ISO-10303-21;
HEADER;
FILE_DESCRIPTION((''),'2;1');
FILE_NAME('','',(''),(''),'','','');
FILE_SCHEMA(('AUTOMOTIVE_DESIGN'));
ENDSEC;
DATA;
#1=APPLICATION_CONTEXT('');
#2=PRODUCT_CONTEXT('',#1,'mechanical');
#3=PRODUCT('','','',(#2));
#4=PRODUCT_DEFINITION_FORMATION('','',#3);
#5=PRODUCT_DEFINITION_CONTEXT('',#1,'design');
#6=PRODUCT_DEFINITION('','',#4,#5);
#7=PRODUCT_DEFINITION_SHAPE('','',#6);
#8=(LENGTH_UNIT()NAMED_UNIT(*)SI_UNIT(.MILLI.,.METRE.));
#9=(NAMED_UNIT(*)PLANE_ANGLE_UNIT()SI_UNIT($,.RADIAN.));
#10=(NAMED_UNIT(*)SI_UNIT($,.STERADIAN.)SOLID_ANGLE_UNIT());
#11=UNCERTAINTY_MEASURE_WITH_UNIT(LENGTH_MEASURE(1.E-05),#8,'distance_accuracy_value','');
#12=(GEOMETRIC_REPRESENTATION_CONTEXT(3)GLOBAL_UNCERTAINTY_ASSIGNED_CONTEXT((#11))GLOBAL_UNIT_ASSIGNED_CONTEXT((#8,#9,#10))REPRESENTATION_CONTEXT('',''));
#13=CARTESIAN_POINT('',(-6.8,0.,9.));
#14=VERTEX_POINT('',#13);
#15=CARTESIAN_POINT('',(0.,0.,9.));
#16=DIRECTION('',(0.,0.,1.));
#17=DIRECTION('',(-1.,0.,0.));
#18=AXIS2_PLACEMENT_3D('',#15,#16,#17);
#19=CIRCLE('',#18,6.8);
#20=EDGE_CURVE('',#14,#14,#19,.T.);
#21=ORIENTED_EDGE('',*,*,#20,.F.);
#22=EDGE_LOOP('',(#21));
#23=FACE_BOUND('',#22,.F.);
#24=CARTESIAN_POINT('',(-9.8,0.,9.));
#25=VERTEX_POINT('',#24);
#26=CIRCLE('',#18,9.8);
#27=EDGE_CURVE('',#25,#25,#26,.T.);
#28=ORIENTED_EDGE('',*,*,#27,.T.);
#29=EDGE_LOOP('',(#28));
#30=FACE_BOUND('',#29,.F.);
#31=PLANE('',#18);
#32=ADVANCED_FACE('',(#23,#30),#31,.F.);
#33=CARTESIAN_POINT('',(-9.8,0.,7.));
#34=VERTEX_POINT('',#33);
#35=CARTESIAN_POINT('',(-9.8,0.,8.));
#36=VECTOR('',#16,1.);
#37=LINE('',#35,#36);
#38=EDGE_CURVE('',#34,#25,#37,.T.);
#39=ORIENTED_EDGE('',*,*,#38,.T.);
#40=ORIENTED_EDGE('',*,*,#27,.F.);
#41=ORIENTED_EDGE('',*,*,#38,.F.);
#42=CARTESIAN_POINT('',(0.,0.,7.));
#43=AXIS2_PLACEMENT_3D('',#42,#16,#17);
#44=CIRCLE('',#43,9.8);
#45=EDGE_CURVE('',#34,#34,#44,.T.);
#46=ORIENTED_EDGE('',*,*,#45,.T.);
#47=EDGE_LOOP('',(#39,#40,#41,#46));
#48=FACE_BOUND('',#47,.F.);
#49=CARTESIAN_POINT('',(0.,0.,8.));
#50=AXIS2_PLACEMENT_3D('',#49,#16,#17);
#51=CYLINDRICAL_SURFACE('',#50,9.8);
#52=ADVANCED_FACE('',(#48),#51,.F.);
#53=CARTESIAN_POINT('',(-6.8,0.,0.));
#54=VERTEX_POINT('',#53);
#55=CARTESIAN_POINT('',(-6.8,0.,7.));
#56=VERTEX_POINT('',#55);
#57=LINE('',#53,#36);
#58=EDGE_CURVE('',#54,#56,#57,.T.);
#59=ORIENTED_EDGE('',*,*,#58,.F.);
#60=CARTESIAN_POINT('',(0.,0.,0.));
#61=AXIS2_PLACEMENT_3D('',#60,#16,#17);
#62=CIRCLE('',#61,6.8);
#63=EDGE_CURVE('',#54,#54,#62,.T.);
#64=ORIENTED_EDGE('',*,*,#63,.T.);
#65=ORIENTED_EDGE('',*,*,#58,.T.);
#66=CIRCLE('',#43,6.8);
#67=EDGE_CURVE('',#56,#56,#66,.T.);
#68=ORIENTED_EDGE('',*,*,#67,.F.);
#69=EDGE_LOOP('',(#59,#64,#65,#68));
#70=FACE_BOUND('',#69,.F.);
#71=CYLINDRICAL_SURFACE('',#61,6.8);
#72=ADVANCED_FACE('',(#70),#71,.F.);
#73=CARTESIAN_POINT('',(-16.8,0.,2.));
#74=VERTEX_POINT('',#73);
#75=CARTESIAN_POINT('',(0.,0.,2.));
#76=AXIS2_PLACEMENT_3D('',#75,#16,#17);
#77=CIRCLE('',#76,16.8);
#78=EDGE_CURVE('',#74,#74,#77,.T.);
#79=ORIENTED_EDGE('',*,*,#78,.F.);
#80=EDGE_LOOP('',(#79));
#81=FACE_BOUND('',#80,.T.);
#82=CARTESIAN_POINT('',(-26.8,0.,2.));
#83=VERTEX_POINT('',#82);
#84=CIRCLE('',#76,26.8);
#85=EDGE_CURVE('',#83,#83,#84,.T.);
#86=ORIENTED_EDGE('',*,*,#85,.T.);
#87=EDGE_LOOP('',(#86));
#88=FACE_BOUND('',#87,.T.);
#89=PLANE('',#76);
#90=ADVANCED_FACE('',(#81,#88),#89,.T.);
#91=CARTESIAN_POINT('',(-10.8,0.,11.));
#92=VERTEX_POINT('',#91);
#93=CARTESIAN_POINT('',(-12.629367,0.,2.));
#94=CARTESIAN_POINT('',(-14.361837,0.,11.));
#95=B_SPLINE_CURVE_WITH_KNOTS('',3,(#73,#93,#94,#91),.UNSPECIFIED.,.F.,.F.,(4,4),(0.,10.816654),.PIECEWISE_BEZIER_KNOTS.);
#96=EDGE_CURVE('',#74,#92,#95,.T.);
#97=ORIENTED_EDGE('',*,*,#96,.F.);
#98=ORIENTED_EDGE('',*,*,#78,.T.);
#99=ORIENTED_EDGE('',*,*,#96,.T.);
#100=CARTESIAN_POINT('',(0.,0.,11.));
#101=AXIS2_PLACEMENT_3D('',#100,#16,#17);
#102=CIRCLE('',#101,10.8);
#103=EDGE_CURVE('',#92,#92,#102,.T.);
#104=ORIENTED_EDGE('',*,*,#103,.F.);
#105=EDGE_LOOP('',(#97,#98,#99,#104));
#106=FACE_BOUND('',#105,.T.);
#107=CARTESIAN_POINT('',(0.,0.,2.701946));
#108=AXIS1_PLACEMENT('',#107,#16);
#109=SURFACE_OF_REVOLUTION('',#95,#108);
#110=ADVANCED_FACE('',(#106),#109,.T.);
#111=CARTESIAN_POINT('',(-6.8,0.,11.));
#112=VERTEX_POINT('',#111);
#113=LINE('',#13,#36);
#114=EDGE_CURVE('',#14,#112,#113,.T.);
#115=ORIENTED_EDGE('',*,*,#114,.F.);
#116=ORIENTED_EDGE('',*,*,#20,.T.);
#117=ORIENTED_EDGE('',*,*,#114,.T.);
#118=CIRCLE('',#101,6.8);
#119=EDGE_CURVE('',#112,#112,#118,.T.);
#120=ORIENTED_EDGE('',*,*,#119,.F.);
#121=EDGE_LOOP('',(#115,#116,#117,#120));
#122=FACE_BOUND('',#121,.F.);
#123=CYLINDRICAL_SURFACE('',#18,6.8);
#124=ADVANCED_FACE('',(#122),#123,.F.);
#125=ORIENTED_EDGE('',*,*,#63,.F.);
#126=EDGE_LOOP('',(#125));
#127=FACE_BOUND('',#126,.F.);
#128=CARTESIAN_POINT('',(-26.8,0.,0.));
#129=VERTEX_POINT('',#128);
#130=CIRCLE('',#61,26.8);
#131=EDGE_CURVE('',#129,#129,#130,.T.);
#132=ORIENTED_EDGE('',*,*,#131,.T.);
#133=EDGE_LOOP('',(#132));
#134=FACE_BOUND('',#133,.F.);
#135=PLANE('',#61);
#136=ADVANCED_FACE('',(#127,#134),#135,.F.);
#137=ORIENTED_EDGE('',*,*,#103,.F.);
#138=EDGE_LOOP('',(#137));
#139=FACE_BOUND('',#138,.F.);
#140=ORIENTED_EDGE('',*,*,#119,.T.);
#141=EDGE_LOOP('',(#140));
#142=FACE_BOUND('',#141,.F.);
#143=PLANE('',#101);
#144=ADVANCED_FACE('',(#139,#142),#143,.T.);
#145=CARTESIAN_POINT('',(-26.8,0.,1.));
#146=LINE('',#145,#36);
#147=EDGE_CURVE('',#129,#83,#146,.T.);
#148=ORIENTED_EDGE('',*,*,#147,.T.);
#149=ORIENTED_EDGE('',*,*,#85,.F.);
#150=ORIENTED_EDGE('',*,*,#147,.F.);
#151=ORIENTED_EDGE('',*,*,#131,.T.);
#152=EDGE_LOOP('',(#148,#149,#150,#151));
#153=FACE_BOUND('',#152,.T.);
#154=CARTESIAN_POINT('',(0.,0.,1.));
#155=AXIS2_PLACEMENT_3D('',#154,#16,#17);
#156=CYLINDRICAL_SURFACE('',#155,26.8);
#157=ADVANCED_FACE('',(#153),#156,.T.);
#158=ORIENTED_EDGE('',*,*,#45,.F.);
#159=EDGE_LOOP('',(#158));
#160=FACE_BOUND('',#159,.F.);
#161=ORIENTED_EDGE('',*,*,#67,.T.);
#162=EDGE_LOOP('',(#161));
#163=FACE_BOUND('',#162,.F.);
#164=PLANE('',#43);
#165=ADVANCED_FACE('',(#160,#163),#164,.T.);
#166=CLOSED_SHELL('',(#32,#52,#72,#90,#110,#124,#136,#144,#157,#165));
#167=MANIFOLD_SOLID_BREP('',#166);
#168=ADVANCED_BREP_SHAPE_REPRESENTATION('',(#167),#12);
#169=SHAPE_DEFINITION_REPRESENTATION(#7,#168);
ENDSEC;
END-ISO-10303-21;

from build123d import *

# Parameters (mm, degrees)
F0_W   = 1
F0_H   = 2
F0_W_2 = 10


with BuildPart() as f1:
    # F0 (on Front) → F1 (revolve)
    with BuildSketch(Plane.XZ):
        Polygon((-6.8, 11), (-10.8, 11), (-10.8, 9), (-9.8, 9), (-6.8, 9), align=None)
        with Locations((-10.3, 8)):
            Rectangle(F0_W, F0_H)
        with BuildLine():
            add(Edge.make_bspline(
                [(-16.8, 2), (-12.629367, 2), (-14.361837, 11), (-10.8, 11)],
                knots=[0, 0, 0, 0, 10.816654, 10.816654, 10.816654, 10.816654], degree=3))
            Line((-16.8, 2), (-10.8, 2))
            Line((-10.8, 2), (-10.8, 7))
            Line((-10.8, 7), (-10.8, 9))
            Line((-10.8, 9), (-10.8, 11))
        make_face()
        Polygon((-10.8, 2), (-6.8, 2), (-6.8, 7), (-9.8, 7), (-10.8, 7), align=None)
        Polygon((-16.8, 0), (-6.8, 0), (-6.8, 2), (-10.8, 2), (-16.8, 2), align=None)
        with Locations((-21.8, 1)):
            Rectangle(F0_W_2, F0_H)
    revolve(axis=Axis((0, 0, 2.701946), (0, 0, 1)))


solid = f1.part
